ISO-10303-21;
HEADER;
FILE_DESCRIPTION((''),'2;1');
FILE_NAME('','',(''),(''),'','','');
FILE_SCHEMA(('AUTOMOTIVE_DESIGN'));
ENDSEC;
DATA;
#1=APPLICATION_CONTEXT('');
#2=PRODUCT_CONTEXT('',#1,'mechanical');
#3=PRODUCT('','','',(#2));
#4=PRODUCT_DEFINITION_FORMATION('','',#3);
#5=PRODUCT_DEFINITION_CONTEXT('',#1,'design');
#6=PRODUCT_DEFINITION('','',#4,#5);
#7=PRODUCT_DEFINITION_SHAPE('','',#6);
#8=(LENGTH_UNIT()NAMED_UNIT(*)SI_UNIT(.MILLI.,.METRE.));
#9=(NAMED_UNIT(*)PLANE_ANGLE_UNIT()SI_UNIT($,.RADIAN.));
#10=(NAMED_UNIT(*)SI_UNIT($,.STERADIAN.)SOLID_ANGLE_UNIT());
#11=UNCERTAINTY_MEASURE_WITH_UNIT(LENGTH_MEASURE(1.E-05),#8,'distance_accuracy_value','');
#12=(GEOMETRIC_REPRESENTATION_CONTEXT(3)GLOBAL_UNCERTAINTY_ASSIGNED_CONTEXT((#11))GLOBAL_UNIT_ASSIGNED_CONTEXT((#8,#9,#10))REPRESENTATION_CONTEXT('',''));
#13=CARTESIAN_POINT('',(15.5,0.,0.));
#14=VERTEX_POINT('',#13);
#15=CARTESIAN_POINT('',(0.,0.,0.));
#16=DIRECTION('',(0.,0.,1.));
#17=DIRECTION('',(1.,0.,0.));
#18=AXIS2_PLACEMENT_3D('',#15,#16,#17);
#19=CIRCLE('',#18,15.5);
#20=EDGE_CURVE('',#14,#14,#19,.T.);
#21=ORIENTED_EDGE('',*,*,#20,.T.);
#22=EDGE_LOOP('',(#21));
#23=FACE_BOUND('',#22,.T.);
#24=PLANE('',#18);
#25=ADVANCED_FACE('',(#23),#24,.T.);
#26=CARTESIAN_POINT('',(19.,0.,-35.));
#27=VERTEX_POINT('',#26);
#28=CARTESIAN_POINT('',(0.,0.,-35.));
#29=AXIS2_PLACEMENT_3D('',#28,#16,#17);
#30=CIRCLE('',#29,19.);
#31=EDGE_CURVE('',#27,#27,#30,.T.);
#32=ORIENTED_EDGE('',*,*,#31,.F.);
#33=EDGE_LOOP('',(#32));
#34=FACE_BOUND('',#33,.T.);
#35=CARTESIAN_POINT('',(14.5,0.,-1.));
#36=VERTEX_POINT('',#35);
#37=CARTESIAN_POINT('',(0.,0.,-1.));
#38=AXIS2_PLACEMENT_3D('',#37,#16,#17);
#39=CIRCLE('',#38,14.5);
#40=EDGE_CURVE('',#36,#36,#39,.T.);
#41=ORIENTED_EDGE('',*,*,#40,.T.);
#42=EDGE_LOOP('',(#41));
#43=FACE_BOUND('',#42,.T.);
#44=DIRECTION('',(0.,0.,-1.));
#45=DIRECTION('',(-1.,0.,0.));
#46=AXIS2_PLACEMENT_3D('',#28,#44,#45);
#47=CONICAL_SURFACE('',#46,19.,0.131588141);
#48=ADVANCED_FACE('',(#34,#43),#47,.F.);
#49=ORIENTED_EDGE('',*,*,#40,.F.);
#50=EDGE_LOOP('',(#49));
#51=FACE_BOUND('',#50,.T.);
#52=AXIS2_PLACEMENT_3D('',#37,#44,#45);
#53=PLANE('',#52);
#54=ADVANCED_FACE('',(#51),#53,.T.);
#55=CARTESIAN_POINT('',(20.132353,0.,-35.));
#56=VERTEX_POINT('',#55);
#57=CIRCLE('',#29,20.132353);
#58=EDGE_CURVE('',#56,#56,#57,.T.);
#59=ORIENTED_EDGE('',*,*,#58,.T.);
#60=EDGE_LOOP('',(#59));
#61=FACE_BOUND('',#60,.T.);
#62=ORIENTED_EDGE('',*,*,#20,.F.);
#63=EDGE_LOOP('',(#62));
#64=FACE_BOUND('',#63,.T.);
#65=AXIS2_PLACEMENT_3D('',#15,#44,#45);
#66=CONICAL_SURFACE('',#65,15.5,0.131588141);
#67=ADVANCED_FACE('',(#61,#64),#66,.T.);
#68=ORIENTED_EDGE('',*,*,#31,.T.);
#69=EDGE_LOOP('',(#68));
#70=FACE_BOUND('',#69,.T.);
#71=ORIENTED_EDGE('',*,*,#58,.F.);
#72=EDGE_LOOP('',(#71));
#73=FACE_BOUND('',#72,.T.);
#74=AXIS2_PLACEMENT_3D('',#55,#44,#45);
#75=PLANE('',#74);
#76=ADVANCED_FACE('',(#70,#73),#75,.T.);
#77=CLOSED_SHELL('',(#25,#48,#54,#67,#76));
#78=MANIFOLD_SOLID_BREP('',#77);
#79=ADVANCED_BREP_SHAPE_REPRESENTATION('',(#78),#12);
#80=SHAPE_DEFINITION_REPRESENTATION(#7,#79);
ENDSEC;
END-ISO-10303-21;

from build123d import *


with BuildPart() as part:
    # 草图4 → 旋转1 (revolve)
    with BuildSketch(Plane(origin=(0, 0, 0), x_dir=(1, 0, 0), z_dir=(0, 1, 0))):
        Polygon((0, 0), (0, 1), (14.5, 1), (19, 35), (20.132352941, 35), (15.5, 0), align=None)
    revolve(axis=Axis((0, 0, 0), (0, 0, -1)))


solid = part.part
